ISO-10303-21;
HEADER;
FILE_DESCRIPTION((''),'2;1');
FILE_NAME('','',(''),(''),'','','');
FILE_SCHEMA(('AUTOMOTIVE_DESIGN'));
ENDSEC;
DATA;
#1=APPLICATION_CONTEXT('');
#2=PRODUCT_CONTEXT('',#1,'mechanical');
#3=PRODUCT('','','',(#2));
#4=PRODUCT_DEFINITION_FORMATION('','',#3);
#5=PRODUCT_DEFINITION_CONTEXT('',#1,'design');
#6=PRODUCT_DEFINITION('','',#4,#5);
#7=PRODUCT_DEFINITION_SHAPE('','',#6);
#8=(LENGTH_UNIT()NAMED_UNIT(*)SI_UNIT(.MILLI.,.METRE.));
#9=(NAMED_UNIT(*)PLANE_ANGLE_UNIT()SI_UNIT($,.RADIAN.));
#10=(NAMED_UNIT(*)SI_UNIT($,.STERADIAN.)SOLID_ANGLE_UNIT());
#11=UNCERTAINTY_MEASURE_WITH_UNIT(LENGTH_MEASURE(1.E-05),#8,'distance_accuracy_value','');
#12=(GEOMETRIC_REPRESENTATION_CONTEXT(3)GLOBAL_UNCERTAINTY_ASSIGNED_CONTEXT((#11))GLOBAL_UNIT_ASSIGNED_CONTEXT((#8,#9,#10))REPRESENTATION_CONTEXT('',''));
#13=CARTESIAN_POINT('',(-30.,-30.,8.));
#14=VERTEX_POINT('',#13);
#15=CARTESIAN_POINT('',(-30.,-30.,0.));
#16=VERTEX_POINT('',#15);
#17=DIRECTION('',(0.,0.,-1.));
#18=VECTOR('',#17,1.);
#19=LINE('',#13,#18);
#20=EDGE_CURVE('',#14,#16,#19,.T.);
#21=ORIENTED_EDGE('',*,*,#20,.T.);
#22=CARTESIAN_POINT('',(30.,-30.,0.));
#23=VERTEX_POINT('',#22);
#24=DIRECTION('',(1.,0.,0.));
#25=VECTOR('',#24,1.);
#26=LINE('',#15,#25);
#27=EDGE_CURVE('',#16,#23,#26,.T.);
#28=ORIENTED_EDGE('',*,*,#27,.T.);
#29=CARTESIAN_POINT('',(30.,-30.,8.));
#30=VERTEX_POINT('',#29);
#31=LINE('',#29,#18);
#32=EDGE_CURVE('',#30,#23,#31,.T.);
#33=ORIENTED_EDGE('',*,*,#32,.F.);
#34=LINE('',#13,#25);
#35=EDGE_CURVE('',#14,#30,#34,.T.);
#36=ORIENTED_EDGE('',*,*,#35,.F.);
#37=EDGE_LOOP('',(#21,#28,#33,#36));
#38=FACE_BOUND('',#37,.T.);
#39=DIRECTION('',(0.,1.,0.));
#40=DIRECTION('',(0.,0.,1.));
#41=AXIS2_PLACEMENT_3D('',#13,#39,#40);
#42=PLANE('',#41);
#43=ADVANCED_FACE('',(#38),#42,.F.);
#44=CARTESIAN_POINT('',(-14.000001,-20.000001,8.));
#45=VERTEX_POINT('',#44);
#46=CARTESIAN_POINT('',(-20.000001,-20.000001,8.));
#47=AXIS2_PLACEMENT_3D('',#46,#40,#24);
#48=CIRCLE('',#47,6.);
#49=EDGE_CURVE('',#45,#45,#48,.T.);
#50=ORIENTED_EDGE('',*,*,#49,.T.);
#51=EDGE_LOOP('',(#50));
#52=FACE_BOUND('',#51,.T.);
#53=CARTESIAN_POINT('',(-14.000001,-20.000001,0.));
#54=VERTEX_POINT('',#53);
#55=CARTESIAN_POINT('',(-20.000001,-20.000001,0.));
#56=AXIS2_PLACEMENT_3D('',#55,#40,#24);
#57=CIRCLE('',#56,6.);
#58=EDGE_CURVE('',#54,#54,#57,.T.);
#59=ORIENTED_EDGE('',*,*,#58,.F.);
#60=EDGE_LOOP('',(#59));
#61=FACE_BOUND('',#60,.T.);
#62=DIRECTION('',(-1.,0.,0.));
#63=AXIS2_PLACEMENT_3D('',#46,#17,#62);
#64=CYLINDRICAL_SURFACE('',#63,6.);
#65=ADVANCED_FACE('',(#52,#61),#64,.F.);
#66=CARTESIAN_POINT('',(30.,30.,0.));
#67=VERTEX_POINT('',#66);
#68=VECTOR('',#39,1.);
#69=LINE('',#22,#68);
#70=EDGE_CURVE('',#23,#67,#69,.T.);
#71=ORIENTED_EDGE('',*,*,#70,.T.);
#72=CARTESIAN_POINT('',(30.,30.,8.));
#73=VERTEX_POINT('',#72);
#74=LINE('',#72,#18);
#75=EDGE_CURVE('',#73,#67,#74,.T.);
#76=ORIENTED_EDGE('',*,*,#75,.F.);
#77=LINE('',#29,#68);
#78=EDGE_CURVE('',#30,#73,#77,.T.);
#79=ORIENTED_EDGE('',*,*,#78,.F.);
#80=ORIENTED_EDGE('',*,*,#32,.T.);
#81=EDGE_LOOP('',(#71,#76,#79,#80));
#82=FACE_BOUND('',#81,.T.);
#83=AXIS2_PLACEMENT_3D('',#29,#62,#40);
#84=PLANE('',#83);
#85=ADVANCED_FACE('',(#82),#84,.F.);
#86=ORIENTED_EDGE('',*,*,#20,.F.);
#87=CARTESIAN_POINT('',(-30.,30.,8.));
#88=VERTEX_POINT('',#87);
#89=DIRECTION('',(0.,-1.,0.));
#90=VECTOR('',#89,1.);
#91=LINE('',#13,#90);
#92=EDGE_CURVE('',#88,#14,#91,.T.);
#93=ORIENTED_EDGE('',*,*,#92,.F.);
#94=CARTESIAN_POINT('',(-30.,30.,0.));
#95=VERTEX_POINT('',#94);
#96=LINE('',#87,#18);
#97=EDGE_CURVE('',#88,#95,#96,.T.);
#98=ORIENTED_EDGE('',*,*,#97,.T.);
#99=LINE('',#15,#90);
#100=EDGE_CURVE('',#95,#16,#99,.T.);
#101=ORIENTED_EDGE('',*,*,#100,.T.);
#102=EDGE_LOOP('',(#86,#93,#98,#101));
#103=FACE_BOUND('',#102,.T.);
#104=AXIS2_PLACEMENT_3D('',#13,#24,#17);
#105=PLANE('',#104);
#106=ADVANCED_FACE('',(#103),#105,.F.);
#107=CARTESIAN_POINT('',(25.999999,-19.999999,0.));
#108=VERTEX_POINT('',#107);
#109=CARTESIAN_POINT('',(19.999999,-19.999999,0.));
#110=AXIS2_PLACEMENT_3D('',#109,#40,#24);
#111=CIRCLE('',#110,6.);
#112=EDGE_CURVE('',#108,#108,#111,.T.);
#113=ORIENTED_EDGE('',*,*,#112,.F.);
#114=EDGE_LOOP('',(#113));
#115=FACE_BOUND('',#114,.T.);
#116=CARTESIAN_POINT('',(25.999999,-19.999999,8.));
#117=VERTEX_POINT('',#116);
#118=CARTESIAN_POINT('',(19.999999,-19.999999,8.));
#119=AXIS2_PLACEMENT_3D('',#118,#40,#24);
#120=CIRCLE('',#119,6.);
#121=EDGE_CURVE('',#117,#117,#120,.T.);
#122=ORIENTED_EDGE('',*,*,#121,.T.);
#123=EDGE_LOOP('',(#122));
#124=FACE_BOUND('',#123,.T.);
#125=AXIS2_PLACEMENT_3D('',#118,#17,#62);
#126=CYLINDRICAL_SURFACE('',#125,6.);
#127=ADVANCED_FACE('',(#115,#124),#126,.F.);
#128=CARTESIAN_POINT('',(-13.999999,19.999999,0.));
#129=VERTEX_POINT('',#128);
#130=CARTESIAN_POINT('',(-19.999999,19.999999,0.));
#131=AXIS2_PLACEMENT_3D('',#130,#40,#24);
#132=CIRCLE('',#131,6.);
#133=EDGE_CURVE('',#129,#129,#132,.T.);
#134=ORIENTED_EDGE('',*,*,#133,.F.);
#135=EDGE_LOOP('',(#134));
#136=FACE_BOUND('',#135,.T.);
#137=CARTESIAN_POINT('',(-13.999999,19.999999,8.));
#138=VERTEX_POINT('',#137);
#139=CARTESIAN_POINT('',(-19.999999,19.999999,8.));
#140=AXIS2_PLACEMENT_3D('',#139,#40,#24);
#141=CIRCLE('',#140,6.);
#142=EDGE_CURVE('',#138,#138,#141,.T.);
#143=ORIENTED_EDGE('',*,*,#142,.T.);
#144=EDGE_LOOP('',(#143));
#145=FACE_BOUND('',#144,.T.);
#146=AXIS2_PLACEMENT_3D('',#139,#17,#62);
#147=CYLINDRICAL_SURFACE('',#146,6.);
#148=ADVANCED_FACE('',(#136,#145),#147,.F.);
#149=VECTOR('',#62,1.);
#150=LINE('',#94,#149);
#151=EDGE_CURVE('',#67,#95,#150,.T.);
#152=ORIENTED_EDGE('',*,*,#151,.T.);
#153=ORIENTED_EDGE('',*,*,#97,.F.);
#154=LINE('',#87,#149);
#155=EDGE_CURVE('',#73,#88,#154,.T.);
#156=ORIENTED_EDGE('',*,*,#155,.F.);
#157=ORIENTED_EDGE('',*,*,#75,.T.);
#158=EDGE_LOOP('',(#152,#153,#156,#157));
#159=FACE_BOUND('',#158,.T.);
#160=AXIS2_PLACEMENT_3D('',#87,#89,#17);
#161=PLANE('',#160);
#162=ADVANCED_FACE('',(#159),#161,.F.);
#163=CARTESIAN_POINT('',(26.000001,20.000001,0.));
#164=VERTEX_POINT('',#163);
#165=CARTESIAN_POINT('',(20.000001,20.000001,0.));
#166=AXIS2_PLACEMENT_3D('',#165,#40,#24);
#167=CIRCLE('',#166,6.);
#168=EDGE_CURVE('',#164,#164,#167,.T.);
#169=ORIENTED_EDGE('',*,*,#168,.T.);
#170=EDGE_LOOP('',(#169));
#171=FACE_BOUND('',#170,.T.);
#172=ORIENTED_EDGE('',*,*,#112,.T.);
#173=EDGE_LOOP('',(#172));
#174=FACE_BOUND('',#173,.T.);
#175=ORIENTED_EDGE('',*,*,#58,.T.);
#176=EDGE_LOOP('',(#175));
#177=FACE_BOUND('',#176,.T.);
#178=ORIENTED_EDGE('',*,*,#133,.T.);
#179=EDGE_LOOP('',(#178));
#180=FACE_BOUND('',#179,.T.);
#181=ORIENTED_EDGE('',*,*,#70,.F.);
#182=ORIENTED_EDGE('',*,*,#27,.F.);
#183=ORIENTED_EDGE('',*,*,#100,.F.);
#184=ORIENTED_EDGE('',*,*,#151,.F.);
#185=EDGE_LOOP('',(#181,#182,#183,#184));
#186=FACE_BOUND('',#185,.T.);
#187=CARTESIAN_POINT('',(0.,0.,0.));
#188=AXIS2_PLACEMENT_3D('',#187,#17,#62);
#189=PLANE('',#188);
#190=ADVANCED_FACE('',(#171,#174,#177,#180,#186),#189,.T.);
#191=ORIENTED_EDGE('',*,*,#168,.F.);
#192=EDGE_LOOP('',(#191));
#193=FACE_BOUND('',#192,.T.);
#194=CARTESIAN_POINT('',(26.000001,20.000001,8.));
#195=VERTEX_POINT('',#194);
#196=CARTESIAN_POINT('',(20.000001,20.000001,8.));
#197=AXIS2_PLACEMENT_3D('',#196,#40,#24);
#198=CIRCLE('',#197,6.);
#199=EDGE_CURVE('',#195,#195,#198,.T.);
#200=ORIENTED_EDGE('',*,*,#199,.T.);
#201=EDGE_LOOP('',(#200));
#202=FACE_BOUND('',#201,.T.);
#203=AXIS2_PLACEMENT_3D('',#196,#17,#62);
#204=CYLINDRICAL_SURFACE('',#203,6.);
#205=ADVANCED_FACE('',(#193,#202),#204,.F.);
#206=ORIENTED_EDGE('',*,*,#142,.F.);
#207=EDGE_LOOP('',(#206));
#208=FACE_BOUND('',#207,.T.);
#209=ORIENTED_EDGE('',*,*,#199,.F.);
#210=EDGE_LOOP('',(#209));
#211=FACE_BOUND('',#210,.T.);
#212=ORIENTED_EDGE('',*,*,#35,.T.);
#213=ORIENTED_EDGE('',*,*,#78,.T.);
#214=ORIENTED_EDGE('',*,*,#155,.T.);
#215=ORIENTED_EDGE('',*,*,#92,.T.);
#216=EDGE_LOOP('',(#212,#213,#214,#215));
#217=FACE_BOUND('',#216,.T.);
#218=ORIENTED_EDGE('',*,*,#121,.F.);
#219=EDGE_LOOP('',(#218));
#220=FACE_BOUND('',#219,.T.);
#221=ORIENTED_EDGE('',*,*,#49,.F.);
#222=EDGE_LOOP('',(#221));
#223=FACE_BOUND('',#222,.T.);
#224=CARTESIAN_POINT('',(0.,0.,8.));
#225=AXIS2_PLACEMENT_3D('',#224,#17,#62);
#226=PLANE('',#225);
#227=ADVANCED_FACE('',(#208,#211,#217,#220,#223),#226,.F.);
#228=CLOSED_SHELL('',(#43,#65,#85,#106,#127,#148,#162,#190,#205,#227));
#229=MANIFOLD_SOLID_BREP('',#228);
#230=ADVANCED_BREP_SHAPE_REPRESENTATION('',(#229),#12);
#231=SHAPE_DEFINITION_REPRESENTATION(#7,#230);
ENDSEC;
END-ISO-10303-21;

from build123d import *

# Parameters (mm, degrees)
ESQUISSE3_W        = 60
ESQUISSE3_H        = 60
ESQUISSE3_R        = 6
BOSS_EXTRU_4_DEPTH = 8


with BuildPart() as part:
    # Esquisse3 → Boss.-Extru.4 (new body)
    with BuildSketch(Plane.XY):
        Rectangle(ESQUISSE3_W, ESQUISSE3_H)
        with Locations((-19.999999157, 19.999999157)):
            Circle(ESQUISSE3_R, mode=Mode.SUBTRACT)
        with Locations((20.000000843, 20.000000843)):
            Circle(ESQUISSE3_R, mode=Mode.SUBTRACT)
        with Locations((-20.000000843, -20.000000843)):
            Circle(ESQUISSE3_R, mode=Mode.SUBTRACT)
        with Locations((19.999999157, -19.999999157)):
            Circle(ESQUISSE3_R, mode=Mode.SUBTRACT)
    extrude(amount=BOSS_EXTRU_4_DEPTH)


solid = part.part
